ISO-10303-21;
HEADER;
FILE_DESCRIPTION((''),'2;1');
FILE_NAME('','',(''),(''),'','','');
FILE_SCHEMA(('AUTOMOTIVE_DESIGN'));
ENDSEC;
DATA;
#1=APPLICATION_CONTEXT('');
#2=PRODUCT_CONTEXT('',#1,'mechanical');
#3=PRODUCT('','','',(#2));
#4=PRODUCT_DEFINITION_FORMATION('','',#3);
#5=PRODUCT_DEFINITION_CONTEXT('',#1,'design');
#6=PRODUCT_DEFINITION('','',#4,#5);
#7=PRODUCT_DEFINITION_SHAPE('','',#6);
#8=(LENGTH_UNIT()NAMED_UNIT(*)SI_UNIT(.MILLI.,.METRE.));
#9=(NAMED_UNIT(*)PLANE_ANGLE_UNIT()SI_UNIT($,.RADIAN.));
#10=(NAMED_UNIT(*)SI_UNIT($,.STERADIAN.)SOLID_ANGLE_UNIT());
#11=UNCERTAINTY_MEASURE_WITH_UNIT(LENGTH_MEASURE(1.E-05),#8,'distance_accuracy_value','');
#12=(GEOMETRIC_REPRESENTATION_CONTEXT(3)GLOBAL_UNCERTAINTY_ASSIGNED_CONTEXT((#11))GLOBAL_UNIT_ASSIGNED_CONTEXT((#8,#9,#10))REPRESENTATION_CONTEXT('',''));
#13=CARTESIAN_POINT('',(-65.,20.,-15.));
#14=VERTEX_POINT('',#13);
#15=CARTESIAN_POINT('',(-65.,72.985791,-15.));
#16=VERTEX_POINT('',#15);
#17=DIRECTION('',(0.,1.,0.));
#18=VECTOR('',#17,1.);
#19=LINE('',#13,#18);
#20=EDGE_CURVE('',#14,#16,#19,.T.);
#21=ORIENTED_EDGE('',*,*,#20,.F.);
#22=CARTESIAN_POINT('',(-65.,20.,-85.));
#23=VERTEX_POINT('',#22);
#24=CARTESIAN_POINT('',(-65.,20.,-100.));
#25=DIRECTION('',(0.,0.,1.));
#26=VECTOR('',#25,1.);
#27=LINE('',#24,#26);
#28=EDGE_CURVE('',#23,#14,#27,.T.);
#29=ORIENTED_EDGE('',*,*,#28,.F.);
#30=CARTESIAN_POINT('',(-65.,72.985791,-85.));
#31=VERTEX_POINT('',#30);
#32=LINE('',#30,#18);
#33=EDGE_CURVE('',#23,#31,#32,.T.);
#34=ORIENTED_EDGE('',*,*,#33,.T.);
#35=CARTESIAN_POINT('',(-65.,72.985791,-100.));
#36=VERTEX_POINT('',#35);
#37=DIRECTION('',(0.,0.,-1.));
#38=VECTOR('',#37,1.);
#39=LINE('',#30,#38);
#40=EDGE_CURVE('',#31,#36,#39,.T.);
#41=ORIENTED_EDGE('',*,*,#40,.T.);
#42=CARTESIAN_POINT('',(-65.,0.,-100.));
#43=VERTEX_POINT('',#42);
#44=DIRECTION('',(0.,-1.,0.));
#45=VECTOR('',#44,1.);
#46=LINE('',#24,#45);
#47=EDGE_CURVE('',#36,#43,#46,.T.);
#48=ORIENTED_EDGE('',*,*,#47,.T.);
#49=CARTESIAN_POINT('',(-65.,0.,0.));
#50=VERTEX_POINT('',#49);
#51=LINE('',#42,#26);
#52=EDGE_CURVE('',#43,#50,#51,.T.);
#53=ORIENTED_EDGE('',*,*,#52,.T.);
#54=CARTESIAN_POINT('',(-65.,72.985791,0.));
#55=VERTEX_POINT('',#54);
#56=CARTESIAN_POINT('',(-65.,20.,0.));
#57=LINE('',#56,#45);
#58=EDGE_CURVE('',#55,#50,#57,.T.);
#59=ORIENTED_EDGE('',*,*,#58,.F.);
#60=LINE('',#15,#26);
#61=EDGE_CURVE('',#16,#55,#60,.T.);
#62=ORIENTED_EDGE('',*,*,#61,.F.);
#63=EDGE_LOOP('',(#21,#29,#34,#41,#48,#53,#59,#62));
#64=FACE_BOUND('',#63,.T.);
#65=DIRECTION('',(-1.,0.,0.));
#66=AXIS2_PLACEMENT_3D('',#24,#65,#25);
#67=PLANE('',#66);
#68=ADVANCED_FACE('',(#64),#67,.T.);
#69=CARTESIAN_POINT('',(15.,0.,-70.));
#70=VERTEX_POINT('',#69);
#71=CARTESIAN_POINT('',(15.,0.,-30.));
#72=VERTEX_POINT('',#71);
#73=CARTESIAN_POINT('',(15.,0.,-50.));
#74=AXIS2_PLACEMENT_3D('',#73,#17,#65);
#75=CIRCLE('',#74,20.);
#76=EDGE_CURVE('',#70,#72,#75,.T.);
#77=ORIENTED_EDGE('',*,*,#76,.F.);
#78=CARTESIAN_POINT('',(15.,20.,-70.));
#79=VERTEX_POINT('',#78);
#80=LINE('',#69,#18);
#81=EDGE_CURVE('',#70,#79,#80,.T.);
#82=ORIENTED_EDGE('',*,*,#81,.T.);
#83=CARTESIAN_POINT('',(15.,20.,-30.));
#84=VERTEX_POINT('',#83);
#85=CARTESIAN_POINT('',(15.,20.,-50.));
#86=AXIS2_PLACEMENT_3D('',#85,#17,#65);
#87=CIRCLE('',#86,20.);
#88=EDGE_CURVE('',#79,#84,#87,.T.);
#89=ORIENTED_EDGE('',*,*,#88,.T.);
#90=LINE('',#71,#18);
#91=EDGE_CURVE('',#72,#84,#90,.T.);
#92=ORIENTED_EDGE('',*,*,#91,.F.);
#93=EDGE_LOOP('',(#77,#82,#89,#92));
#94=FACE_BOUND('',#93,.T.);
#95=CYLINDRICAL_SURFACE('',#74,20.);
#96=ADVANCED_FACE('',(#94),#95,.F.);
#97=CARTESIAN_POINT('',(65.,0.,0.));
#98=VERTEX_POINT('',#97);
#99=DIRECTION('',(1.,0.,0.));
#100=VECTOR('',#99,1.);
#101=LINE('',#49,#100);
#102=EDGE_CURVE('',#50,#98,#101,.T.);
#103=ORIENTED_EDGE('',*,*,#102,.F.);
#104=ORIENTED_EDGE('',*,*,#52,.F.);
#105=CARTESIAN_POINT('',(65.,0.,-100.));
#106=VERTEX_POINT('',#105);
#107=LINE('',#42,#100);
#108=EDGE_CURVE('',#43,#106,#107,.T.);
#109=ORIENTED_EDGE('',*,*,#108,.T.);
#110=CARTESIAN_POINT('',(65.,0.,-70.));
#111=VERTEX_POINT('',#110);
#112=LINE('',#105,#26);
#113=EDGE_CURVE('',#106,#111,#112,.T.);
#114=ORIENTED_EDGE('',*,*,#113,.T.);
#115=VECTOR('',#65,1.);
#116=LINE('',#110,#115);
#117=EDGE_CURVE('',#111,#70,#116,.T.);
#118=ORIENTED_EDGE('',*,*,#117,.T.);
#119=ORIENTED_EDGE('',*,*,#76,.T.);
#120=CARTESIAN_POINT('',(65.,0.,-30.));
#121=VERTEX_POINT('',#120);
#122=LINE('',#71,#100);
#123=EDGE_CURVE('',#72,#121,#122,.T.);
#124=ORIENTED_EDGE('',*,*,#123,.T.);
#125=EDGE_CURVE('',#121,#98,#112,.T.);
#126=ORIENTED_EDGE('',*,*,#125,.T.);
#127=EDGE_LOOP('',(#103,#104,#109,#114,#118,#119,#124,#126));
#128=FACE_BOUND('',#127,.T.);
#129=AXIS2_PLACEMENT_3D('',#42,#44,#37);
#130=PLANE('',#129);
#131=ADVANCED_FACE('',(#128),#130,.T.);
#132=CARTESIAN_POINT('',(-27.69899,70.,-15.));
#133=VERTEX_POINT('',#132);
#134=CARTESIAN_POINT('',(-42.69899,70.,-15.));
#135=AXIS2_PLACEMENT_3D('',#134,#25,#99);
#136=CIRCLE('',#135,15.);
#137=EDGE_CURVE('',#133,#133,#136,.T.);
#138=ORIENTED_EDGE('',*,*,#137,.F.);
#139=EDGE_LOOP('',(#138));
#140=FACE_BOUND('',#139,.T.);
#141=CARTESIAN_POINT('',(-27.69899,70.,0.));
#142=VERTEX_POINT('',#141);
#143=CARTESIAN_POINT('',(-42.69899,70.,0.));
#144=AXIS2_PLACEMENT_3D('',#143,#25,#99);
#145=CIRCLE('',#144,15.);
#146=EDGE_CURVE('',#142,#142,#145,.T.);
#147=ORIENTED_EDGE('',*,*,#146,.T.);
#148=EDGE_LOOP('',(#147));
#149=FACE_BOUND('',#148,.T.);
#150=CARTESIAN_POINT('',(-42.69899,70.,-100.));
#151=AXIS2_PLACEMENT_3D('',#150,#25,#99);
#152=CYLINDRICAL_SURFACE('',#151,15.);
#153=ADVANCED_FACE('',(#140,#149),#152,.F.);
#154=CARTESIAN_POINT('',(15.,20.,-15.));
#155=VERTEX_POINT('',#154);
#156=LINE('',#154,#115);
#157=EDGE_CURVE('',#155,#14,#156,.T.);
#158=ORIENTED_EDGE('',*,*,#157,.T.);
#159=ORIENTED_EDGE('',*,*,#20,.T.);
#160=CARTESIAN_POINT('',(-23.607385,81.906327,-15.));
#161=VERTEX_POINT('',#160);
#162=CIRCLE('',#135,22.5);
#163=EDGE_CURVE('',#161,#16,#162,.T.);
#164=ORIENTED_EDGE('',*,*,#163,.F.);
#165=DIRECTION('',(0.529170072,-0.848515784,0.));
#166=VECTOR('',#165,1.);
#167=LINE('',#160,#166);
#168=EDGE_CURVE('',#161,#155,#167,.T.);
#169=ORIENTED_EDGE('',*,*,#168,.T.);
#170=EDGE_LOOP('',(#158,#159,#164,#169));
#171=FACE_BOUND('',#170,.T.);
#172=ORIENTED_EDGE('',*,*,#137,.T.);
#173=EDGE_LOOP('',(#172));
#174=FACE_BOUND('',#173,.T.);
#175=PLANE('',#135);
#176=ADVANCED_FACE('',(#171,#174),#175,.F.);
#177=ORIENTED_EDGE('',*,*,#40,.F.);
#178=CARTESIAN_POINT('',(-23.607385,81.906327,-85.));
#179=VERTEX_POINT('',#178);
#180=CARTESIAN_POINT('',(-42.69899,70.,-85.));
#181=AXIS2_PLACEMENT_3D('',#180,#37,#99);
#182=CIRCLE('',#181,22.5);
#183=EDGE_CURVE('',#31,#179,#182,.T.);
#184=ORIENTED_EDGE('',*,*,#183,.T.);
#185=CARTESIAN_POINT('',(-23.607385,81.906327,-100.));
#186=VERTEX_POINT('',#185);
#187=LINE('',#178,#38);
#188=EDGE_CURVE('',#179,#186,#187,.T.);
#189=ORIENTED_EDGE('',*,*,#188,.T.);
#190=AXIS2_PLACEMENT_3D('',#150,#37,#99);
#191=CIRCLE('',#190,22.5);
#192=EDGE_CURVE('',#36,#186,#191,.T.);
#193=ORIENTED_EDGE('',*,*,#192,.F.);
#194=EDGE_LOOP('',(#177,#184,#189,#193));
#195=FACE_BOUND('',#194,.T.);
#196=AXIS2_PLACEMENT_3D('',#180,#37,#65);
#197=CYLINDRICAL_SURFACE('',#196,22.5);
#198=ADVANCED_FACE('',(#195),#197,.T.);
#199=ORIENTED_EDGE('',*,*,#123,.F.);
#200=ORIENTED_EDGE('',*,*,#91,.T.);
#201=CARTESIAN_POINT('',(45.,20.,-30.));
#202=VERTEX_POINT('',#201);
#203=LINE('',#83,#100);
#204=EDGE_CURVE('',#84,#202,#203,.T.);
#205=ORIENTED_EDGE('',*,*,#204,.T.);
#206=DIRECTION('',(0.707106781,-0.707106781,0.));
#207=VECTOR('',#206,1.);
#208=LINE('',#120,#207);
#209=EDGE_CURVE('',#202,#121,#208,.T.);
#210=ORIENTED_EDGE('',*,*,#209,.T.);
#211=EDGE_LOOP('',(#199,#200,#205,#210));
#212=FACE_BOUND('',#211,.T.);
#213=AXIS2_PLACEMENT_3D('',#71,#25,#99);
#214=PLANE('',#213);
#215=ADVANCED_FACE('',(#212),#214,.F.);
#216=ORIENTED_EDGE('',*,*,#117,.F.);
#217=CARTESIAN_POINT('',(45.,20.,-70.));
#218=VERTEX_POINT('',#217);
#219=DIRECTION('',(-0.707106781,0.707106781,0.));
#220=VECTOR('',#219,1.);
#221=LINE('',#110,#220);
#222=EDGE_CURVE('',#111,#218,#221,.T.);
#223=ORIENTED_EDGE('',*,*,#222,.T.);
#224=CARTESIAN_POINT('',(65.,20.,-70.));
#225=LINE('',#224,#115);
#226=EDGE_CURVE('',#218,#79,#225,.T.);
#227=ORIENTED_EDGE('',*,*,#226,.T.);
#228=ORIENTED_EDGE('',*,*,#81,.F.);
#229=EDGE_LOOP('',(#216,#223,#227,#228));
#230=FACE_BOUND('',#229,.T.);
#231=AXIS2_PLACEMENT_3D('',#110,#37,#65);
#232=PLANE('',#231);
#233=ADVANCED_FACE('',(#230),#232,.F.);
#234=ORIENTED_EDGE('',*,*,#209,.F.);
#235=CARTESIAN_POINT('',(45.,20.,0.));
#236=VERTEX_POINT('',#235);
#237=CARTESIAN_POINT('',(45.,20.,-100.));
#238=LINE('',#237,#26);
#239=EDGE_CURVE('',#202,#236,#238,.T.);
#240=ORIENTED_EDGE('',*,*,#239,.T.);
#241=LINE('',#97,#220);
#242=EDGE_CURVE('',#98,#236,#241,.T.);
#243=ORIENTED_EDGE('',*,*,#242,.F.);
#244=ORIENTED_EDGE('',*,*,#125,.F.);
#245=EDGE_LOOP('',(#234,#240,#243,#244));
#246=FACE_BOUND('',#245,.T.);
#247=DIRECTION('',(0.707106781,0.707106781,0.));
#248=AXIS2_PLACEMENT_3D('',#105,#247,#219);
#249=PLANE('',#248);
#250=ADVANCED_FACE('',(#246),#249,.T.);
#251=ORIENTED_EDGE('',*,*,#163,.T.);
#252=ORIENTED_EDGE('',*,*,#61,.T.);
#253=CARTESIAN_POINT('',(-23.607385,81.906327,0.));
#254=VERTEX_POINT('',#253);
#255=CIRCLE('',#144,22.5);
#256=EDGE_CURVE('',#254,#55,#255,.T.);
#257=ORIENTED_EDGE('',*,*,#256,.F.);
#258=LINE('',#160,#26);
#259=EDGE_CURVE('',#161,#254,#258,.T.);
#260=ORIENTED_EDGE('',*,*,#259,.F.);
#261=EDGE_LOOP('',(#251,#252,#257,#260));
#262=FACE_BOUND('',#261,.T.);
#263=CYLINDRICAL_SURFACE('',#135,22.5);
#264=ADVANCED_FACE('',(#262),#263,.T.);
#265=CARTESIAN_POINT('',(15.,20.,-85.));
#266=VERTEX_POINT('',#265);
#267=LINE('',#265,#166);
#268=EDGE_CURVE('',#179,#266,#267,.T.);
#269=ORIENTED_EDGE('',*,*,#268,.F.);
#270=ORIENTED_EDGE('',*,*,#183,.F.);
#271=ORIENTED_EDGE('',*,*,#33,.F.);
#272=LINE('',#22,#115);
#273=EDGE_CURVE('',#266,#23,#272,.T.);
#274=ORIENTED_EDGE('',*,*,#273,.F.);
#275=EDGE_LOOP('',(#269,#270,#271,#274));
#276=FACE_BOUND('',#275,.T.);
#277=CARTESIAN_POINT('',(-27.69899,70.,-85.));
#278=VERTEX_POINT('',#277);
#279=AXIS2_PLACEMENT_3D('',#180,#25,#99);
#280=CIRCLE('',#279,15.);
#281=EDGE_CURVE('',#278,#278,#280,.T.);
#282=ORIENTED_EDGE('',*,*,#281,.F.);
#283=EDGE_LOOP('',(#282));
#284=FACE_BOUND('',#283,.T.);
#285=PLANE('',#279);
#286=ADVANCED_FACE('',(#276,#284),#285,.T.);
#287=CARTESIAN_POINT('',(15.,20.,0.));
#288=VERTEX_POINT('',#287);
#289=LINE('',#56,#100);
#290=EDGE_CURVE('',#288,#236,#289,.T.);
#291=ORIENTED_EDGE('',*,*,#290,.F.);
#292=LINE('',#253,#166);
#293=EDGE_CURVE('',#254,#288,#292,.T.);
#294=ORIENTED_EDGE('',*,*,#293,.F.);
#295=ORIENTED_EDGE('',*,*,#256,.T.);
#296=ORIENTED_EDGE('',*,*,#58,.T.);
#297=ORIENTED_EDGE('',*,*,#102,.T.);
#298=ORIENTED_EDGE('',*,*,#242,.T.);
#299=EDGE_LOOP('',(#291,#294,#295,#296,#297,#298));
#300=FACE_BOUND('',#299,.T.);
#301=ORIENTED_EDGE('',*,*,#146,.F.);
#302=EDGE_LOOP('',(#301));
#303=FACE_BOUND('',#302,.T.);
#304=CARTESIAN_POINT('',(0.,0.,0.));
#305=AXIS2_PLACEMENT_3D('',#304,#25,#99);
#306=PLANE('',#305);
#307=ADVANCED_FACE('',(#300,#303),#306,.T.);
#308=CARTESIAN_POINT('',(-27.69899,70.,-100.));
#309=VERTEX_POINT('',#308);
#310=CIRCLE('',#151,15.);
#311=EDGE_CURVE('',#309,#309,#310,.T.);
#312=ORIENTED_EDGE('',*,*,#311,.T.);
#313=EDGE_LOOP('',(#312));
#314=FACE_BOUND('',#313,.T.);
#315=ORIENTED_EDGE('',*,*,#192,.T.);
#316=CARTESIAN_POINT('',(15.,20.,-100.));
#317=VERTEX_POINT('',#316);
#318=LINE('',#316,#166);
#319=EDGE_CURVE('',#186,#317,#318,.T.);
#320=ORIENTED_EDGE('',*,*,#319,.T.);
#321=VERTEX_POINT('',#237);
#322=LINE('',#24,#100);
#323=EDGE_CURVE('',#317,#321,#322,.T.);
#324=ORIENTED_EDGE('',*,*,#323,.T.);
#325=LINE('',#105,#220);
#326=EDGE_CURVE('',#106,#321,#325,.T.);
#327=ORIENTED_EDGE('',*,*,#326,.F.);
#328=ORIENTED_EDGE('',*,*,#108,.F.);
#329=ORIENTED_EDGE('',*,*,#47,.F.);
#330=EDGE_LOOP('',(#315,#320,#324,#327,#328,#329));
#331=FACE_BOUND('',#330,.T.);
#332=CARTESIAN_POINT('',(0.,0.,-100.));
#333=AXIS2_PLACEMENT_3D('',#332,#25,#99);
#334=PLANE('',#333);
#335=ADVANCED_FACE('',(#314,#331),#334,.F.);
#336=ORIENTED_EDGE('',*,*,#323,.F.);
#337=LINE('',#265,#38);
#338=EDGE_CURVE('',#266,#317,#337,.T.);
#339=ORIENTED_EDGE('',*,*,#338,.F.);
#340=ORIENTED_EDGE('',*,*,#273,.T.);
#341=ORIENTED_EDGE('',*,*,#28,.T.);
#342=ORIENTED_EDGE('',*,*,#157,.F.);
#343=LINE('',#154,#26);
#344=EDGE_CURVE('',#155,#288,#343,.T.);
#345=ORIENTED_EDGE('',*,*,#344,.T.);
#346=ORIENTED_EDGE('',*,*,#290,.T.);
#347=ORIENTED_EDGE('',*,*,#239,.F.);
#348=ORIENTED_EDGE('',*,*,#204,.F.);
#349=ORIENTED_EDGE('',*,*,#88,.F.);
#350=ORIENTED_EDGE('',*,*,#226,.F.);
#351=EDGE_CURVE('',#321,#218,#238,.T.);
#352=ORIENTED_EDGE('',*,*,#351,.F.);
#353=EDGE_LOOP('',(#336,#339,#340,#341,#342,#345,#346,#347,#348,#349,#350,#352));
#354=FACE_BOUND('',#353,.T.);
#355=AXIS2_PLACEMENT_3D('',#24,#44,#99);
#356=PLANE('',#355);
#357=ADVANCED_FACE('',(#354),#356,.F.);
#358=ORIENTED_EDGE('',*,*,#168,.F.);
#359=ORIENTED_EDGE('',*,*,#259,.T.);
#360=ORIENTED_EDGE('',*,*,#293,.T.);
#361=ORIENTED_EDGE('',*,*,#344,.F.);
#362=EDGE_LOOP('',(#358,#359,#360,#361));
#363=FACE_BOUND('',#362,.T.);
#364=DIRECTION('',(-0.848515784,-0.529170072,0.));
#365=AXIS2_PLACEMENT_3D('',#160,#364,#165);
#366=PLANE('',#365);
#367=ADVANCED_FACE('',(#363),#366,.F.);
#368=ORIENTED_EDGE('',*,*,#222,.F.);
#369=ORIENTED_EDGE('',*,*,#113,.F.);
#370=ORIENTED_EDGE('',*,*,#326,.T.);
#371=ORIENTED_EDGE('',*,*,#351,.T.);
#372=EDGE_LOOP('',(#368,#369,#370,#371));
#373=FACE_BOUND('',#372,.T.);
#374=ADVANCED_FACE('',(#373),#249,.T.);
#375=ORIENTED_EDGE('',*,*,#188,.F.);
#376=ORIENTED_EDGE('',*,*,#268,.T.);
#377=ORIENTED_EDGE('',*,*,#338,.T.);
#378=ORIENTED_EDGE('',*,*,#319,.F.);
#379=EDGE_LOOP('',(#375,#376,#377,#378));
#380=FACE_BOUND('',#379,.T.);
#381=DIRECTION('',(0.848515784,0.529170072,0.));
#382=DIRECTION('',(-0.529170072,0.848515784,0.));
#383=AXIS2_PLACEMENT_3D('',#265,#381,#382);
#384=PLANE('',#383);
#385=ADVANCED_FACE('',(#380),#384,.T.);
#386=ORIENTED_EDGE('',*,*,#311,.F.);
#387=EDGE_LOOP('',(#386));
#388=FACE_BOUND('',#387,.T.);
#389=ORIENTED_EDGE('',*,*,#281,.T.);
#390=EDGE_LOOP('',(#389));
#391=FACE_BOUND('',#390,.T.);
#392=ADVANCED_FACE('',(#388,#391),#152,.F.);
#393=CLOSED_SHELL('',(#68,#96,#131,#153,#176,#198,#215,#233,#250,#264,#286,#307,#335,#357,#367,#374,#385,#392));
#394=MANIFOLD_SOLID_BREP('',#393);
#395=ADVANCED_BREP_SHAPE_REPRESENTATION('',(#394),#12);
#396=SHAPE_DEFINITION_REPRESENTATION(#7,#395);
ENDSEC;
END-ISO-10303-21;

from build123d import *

# Parameters (mm, degrees)
BOSS_EXTRUDE2_DEPTH = 100
CUT_EXTRUDE1_DEPTH  = 121.933866224
BOSS_EXTRUDE6_DEPTH = 15
BOSS_EXTRUDE8_START = -15
BOSS_EXTRUDE8_DEPTH = 15
SKETCH10_R          = 15
CUT_EXTRUDE2_DEPTH  = 151.934588481


with BuildPart() as part:
    # Sketch2 → Boss-Extrude2 (new body)
    with BuildSketch(Plane.XY):
        Polygon((65, 0), (45, 20), (-65, 20), (-65, 0), align=None)
    extrude(amount=-BOSS_EXTRUDE2_DEPTH)

    # Sketch3 → Cut-Extrude1 (cut, through all)
    with BuildSketch(Plane(origin=(0, 20, 0), x_dir=(1, 0, 0), z_dir=(0, 1, 0))):
        with BuildLine():
            Line((65, 70), (15, 70))
            ThreePointArc((15, 70), (-5, 50), (15, 30))
            Line((15, 30), (65, 30))
            Line((65, 30), (65, 70))
        make_face()
    extrude(amount=-CUT_EXTRUDE1_DEPTH, mode=Mode.SUBTRACT)

    # Sketch4 → Boss-Extrude6 (add)
    with BuildSketch(Plane.XY):
        with BuildLine():
            Line((-65, 20), (-65, 72.98579059))
            ThreePointArc((-65, 72.98579059), (-47.439143931, 91.99502078), (-23.607384696, 81.906326611))
            Line((-23.607384696, 81.906326611), (15, 20))
            Line((15, 20), (-65, 20))
        make_face()
    extrude(amount=-BOSS_EXTRUDE6_DEPTH)

    # Sketch9 → Boss-Extrude8 (add)
    with BuildSketch(Plane(origin=(0, 0, -100), x_dir=(-1, 0, 0), z_dir=(0, 0, -1)).offset(BOSS_EXTRUDE8_START)):
        with BuildLine():
            Line((-15, 20), (23.607384696, 81.906326611))
            ThreePointArc((23.607384696, 81.906326611), (47.439143931, 91.99502078), (65, 72.98579059))
            Line((65, 72.98579059), (65, 20))
            Line((65, 20), (-15, 20))
        make_face()
    extrude(amount=BOSS_EXTRUDE8_DEPTH)

    # Sketch10 → Cut-Extrude2 (cut, through all)
    with BuildSketch(Plane.XY):
        with Locations((-42.698989831, 70)):
            Circle(SKETCH10_R)
    extrude(amount=-CUT_EXTRUDE2_DEPTH, mode=Mode.SUBTRACT)


solid = part.part
